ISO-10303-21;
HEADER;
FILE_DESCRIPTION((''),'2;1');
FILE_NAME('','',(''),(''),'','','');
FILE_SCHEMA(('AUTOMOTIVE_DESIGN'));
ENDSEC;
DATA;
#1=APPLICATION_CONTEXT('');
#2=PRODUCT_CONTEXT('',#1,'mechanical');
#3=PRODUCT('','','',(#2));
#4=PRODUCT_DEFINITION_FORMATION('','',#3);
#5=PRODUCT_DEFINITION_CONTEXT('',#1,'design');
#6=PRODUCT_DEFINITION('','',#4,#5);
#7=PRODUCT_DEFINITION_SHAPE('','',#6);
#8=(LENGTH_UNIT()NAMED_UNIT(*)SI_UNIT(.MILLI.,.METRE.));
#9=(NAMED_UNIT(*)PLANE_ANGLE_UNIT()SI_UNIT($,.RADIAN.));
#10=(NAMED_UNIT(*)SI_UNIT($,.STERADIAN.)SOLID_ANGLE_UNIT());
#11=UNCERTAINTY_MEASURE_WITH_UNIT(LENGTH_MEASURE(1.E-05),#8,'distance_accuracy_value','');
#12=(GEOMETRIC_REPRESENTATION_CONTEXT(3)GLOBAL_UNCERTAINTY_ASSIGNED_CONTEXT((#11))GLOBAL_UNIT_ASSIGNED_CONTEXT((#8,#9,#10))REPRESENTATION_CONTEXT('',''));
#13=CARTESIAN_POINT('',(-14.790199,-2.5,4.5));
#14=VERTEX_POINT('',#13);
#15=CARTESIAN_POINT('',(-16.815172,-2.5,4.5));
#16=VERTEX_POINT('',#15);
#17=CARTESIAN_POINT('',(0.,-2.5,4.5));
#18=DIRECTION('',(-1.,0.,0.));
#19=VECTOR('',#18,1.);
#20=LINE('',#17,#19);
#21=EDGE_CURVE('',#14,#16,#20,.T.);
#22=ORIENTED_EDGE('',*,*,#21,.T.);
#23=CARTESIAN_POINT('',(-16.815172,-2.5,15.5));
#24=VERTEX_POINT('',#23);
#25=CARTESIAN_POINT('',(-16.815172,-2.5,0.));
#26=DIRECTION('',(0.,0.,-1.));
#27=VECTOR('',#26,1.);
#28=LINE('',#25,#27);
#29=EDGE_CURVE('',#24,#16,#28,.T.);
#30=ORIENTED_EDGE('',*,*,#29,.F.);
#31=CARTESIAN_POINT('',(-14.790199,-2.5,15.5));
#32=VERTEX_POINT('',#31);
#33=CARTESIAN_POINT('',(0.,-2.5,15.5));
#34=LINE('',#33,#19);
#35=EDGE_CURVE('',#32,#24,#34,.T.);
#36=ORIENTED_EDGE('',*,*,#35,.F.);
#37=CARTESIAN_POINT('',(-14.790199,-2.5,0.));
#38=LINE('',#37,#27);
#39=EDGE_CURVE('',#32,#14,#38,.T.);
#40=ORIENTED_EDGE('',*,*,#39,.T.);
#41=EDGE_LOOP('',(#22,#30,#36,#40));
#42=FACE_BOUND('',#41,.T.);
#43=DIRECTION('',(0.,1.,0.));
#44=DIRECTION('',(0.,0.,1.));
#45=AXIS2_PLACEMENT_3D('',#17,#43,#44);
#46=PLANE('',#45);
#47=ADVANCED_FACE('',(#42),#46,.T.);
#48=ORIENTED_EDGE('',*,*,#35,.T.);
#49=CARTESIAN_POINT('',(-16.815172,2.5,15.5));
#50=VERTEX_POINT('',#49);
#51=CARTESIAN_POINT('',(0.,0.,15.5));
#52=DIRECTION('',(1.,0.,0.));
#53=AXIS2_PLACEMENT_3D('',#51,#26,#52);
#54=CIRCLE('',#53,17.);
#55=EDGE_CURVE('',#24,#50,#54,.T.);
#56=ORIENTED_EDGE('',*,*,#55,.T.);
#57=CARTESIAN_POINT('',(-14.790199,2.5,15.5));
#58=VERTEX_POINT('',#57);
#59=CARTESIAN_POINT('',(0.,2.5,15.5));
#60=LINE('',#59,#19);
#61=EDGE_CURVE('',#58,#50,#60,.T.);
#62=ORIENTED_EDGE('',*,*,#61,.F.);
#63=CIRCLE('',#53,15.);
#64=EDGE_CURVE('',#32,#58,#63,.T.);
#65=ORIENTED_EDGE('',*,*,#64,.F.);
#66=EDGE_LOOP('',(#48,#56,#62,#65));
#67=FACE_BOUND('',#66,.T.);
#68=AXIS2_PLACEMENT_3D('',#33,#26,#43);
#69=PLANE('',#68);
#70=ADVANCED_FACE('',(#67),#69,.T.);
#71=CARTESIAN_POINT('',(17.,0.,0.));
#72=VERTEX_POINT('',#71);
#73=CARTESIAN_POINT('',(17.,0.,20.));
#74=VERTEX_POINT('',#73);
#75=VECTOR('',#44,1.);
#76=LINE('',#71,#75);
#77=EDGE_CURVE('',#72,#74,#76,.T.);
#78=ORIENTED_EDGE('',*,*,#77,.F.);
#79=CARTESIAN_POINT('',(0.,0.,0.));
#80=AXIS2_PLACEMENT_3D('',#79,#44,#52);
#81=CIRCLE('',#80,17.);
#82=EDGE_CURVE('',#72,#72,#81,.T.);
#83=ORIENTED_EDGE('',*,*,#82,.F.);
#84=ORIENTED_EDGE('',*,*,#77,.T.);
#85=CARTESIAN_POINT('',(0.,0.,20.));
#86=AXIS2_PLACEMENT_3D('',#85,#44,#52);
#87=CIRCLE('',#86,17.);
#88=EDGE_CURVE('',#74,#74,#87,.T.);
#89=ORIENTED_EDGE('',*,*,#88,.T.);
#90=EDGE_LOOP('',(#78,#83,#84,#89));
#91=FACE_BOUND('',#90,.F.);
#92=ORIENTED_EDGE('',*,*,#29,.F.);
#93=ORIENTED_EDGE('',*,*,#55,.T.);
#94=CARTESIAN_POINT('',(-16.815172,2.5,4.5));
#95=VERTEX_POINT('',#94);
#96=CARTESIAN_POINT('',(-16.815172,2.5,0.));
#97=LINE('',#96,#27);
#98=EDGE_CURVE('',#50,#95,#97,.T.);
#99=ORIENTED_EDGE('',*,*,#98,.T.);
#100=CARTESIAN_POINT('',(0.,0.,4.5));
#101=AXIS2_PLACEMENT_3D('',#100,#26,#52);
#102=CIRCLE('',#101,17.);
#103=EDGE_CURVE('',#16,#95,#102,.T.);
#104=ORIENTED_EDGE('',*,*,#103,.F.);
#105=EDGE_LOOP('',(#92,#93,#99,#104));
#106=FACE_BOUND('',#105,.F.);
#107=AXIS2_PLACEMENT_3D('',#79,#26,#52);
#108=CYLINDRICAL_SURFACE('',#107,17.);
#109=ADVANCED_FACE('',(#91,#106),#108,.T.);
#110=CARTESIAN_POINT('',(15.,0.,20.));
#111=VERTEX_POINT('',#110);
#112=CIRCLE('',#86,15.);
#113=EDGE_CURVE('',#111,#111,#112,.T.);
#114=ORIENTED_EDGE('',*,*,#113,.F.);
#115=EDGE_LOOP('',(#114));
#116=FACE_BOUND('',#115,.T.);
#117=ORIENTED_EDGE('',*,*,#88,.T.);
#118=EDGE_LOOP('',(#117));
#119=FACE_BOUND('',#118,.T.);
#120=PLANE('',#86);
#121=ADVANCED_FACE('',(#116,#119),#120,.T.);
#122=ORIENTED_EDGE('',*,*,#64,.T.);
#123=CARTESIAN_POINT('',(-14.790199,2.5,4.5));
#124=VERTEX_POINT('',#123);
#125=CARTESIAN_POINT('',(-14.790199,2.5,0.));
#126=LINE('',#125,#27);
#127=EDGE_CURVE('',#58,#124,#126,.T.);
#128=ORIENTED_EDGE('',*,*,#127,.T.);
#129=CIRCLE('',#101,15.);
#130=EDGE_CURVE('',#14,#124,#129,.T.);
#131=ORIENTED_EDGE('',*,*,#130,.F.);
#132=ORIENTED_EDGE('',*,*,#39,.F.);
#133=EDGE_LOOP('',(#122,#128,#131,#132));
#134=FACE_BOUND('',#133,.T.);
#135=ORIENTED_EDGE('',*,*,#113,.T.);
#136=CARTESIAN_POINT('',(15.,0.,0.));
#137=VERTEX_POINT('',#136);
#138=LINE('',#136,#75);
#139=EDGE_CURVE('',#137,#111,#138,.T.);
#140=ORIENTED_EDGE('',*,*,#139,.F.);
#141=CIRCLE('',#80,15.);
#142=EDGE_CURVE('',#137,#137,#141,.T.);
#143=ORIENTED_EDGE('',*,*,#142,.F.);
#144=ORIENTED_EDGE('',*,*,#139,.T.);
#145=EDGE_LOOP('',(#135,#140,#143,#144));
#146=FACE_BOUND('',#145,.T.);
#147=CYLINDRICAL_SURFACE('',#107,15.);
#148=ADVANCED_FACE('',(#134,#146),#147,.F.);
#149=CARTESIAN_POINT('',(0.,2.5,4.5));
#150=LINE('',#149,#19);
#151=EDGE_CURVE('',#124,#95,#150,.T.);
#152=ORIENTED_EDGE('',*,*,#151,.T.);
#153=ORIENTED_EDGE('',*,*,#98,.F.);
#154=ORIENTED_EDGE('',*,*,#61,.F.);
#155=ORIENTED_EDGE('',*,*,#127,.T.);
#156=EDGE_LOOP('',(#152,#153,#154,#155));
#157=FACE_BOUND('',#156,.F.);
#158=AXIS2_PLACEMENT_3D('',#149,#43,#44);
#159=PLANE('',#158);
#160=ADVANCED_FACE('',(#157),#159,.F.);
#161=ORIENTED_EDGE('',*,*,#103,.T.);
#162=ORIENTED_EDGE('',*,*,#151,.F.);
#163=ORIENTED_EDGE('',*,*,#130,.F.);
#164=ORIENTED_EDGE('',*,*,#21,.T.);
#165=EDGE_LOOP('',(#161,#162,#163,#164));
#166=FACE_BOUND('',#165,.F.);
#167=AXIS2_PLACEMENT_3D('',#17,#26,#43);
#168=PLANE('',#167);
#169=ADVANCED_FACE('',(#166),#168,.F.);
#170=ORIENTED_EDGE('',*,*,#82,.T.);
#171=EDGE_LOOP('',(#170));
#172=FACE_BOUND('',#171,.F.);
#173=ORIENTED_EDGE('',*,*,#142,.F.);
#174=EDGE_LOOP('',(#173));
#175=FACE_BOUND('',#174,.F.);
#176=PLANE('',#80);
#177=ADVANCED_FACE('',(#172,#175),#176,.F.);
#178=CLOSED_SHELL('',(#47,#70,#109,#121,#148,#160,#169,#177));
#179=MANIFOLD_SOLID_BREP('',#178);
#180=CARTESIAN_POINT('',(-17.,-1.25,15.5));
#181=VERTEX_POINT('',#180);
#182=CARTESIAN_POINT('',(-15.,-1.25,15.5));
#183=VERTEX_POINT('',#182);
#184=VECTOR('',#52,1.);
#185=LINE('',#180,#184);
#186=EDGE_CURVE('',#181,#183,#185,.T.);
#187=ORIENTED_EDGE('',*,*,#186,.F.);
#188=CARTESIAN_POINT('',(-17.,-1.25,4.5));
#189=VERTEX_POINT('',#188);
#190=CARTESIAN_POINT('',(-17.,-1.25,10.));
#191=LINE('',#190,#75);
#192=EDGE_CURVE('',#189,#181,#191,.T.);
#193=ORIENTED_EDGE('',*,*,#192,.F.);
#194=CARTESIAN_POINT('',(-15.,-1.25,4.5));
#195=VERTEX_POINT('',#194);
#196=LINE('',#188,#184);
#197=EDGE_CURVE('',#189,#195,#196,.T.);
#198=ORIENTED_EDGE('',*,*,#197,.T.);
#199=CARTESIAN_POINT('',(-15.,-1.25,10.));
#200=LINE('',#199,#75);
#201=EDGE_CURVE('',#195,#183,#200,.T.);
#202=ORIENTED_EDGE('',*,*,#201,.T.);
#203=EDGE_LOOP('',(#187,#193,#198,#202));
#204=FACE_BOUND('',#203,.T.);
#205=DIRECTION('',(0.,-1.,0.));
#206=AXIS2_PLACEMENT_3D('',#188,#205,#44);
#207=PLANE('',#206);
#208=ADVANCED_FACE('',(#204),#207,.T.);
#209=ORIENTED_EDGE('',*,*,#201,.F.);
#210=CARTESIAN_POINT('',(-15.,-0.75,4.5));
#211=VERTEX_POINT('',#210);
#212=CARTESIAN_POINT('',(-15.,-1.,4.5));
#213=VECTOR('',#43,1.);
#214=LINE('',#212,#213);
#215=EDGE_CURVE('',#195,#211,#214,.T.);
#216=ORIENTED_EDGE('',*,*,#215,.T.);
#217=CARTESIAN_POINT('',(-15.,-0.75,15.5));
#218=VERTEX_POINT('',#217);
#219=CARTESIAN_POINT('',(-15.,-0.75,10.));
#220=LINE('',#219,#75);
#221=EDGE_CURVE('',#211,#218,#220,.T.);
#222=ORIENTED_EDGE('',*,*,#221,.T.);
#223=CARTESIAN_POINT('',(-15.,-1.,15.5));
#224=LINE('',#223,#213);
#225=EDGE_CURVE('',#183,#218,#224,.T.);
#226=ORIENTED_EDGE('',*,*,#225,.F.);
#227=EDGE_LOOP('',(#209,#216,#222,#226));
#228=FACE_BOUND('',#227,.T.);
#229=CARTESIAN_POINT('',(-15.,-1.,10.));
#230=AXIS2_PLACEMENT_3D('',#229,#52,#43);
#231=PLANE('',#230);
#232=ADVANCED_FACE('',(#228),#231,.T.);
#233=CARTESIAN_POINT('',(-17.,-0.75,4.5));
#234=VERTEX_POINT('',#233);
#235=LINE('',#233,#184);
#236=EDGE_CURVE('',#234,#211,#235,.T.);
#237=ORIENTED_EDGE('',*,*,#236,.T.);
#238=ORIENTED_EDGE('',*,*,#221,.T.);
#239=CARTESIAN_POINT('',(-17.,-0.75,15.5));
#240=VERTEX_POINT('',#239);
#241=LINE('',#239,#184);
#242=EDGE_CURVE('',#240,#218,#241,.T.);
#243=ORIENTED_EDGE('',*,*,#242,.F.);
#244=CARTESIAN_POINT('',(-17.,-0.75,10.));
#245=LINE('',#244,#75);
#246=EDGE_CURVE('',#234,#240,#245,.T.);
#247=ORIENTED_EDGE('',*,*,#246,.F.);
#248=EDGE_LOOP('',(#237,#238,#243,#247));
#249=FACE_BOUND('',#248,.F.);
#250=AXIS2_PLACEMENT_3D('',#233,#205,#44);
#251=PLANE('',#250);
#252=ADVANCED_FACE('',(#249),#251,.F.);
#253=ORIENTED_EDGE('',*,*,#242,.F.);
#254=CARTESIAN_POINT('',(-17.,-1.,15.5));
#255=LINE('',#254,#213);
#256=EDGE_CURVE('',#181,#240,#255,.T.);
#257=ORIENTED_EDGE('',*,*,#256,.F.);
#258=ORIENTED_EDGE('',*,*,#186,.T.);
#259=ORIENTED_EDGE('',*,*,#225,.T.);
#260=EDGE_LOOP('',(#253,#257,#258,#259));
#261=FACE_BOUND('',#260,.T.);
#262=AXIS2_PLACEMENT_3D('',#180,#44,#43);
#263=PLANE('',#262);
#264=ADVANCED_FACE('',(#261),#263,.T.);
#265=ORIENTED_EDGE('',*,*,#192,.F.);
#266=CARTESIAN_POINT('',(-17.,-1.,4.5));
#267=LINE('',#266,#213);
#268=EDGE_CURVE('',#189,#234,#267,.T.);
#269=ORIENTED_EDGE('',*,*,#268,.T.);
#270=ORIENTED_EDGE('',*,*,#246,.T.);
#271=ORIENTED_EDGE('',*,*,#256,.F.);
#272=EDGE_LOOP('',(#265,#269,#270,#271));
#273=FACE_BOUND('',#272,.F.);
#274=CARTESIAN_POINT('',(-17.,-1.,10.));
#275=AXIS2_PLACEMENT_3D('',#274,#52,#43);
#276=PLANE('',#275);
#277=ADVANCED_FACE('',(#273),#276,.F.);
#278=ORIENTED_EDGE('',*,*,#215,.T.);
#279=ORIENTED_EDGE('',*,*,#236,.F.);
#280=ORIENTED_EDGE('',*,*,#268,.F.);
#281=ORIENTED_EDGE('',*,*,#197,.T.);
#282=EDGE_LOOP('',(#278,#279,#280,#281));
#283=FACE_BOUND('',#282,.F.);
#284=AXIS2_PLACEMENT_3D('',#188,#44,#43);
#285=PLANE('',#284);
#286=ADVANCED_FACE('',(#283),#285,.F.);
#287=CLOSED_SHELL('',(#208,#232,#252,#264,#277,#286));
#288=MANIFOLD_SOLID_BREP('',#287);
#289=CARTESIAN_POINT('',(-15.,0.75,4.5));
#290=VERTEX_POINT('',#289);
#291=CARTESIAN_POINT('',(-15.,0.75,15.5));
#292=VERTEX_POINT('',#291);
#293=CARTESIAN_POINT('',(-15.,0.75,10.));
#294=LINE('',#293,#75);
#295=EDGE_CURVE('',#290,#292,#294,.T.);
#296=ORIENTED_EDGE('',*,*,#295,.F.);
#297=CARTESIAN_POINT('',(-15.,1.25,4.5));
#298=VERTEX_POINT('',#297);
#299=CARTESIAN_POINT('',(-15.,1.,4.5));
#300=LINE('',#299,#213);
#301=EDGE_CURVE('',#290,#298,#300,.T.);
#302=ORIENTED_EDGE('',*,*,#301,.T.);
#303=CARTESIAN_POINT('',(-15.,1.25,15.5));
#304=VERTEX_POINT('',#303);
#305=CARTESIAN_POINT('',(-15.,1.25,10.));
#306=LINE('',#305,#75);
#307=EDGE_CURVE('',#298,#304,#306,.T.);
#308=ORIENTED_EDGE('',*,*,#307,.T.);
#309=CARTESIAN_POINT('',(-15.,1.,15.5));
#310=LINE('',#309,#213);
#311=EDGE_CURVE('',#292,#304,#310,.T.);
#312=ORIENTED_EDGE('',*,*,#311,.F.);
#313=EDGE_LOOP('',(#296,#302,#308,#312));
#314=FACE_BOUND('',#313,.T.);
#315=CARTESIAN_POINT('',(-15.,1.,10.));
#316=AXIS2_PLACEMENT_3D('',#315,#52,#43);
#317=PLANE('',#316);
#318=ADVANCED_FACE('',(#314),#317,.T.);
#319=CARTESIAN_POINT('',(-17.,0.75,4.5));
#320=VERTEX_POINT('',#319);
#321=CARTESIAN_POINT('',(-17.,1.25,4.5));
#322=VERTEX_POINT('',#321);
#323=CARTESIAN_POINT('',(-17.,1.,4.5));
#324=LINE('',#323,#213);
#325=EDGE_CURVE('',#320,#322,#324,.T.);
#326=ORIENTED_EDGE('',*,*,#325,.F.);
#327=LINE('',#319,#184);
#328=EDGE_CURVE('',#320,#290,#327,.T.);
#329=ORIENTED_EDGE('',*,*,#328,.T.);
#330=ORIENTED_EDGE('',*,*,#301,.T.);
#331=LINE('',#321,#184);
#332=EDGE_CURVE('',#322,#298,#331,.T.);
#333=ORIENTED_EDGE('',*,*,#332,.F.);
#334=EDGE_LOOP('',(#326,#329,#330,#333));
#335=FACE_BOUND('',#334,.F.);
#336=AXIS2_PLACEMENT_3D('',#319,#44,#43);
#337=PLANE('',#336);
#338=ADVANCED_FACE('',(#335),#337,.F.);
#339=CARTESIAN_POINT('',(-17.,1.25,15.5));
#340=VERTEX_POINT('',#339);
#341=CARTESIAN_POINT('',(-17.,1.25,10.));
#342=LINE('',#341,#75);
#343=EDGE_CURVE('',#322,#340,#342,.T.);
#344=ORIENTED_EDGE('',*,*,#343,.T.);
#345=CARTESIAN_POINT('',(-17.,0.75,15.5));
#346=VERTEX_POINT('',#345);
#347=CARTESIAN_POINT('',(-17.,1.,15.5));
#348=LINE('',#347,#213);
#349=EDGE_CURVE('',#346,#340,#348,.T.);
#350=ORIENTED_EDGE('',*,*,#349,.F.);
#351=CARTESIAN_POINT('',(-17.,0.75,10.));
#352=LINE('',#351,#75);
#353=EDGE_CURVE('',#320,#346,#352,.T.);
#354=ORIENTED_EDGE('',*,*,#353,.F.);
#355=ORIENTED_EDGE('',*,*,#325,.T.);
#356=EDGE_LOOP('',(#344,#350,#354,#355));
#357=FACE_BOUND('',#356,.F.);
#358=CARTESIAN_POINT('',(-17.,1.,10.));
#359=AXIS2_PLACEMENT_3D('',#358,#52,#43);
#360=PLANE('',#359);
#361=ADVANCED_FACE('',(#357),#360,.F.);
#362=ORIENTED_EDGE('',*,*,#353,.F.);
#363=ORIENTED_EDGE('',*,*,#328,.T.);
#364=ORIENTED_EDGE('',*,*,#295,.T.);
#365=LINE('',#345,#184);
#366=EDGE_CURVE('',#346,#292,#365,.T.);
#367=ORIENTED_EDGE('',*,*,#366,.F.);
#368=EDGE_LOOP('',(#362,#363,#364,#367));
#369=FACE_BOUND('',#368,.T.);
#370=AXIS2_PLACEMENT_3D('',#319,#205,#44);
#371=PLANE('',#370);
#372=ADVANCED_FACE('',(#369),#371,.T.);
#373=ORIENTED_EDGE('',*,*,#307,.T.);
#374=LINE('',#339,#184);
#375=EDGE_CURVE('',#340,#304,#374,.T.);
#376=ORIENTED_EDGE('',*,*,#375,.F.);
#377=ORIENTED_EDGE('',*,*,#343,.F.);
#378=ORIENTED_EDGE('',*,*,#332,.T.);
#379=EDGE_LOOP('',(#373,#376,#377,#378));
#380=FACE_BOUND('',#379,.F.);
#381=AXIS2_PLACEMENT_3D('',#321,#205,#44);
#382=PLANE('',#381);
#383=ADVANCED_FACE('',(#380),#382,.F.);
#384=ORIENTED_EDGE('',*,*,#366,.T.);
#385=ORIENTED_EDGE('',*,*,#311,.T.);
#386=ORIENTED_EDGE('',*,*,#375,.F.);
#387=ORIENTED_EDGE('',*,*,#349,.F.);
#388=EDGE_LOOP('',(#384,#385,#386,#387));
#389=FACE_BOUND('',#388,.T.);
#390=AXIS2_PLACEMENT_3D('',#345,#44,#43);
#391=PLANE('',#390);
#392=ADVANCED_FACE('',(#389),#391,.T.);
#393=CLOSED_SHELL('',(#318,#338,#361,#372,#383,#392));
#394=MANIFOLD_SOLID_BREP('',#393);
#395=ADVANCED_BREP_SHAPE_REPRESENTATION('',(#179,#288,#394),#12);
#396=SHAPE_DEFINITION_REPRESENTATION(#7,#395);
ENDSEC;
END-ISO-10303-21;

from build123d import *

# Parameters (mm, degrees)
F0_R     = 17
F0_R_2   = 15
F1_DEPTH = 20
F3_W     = 5
F3_H     = 11
F4_DEPTH = 25
F5_W     = 0.5
F5_H     = 11
F6_DEPTH = 2


with BuildPart() as f1:
    # F0 (on Top) → F1 (new body)
    with BuildSketch(Plane.XY):
        Circle(F0_R)
        Circle(F0_R_2, mode=Mode.SUBTRACT)
    extrude(amount=F1_DEPTH)

    # F3 (on Right) → F4 (cut)
    with BuildSketch(Plane.YZ):
        with Locations((0, 10)):
            Rectangle(F3_W, F3_H)
    extrude(amount=-F4_DEPTH, mode=Mode.SUBTRACT)


with BuildPart() as f6:
    # F5 (on offset) → F6 (new body)
    with BuildSketch(Plane.YZ.offset(-17)):
        with Locations((-1, 10)):
            Rectangle(F5_W, F5_H)
        with Locations((1, 10)):
            Rectangle(F5_W, F5_H)
    extrude(amount=F6_DEPTH)


solid = Compound([f1.part, f6.part])
